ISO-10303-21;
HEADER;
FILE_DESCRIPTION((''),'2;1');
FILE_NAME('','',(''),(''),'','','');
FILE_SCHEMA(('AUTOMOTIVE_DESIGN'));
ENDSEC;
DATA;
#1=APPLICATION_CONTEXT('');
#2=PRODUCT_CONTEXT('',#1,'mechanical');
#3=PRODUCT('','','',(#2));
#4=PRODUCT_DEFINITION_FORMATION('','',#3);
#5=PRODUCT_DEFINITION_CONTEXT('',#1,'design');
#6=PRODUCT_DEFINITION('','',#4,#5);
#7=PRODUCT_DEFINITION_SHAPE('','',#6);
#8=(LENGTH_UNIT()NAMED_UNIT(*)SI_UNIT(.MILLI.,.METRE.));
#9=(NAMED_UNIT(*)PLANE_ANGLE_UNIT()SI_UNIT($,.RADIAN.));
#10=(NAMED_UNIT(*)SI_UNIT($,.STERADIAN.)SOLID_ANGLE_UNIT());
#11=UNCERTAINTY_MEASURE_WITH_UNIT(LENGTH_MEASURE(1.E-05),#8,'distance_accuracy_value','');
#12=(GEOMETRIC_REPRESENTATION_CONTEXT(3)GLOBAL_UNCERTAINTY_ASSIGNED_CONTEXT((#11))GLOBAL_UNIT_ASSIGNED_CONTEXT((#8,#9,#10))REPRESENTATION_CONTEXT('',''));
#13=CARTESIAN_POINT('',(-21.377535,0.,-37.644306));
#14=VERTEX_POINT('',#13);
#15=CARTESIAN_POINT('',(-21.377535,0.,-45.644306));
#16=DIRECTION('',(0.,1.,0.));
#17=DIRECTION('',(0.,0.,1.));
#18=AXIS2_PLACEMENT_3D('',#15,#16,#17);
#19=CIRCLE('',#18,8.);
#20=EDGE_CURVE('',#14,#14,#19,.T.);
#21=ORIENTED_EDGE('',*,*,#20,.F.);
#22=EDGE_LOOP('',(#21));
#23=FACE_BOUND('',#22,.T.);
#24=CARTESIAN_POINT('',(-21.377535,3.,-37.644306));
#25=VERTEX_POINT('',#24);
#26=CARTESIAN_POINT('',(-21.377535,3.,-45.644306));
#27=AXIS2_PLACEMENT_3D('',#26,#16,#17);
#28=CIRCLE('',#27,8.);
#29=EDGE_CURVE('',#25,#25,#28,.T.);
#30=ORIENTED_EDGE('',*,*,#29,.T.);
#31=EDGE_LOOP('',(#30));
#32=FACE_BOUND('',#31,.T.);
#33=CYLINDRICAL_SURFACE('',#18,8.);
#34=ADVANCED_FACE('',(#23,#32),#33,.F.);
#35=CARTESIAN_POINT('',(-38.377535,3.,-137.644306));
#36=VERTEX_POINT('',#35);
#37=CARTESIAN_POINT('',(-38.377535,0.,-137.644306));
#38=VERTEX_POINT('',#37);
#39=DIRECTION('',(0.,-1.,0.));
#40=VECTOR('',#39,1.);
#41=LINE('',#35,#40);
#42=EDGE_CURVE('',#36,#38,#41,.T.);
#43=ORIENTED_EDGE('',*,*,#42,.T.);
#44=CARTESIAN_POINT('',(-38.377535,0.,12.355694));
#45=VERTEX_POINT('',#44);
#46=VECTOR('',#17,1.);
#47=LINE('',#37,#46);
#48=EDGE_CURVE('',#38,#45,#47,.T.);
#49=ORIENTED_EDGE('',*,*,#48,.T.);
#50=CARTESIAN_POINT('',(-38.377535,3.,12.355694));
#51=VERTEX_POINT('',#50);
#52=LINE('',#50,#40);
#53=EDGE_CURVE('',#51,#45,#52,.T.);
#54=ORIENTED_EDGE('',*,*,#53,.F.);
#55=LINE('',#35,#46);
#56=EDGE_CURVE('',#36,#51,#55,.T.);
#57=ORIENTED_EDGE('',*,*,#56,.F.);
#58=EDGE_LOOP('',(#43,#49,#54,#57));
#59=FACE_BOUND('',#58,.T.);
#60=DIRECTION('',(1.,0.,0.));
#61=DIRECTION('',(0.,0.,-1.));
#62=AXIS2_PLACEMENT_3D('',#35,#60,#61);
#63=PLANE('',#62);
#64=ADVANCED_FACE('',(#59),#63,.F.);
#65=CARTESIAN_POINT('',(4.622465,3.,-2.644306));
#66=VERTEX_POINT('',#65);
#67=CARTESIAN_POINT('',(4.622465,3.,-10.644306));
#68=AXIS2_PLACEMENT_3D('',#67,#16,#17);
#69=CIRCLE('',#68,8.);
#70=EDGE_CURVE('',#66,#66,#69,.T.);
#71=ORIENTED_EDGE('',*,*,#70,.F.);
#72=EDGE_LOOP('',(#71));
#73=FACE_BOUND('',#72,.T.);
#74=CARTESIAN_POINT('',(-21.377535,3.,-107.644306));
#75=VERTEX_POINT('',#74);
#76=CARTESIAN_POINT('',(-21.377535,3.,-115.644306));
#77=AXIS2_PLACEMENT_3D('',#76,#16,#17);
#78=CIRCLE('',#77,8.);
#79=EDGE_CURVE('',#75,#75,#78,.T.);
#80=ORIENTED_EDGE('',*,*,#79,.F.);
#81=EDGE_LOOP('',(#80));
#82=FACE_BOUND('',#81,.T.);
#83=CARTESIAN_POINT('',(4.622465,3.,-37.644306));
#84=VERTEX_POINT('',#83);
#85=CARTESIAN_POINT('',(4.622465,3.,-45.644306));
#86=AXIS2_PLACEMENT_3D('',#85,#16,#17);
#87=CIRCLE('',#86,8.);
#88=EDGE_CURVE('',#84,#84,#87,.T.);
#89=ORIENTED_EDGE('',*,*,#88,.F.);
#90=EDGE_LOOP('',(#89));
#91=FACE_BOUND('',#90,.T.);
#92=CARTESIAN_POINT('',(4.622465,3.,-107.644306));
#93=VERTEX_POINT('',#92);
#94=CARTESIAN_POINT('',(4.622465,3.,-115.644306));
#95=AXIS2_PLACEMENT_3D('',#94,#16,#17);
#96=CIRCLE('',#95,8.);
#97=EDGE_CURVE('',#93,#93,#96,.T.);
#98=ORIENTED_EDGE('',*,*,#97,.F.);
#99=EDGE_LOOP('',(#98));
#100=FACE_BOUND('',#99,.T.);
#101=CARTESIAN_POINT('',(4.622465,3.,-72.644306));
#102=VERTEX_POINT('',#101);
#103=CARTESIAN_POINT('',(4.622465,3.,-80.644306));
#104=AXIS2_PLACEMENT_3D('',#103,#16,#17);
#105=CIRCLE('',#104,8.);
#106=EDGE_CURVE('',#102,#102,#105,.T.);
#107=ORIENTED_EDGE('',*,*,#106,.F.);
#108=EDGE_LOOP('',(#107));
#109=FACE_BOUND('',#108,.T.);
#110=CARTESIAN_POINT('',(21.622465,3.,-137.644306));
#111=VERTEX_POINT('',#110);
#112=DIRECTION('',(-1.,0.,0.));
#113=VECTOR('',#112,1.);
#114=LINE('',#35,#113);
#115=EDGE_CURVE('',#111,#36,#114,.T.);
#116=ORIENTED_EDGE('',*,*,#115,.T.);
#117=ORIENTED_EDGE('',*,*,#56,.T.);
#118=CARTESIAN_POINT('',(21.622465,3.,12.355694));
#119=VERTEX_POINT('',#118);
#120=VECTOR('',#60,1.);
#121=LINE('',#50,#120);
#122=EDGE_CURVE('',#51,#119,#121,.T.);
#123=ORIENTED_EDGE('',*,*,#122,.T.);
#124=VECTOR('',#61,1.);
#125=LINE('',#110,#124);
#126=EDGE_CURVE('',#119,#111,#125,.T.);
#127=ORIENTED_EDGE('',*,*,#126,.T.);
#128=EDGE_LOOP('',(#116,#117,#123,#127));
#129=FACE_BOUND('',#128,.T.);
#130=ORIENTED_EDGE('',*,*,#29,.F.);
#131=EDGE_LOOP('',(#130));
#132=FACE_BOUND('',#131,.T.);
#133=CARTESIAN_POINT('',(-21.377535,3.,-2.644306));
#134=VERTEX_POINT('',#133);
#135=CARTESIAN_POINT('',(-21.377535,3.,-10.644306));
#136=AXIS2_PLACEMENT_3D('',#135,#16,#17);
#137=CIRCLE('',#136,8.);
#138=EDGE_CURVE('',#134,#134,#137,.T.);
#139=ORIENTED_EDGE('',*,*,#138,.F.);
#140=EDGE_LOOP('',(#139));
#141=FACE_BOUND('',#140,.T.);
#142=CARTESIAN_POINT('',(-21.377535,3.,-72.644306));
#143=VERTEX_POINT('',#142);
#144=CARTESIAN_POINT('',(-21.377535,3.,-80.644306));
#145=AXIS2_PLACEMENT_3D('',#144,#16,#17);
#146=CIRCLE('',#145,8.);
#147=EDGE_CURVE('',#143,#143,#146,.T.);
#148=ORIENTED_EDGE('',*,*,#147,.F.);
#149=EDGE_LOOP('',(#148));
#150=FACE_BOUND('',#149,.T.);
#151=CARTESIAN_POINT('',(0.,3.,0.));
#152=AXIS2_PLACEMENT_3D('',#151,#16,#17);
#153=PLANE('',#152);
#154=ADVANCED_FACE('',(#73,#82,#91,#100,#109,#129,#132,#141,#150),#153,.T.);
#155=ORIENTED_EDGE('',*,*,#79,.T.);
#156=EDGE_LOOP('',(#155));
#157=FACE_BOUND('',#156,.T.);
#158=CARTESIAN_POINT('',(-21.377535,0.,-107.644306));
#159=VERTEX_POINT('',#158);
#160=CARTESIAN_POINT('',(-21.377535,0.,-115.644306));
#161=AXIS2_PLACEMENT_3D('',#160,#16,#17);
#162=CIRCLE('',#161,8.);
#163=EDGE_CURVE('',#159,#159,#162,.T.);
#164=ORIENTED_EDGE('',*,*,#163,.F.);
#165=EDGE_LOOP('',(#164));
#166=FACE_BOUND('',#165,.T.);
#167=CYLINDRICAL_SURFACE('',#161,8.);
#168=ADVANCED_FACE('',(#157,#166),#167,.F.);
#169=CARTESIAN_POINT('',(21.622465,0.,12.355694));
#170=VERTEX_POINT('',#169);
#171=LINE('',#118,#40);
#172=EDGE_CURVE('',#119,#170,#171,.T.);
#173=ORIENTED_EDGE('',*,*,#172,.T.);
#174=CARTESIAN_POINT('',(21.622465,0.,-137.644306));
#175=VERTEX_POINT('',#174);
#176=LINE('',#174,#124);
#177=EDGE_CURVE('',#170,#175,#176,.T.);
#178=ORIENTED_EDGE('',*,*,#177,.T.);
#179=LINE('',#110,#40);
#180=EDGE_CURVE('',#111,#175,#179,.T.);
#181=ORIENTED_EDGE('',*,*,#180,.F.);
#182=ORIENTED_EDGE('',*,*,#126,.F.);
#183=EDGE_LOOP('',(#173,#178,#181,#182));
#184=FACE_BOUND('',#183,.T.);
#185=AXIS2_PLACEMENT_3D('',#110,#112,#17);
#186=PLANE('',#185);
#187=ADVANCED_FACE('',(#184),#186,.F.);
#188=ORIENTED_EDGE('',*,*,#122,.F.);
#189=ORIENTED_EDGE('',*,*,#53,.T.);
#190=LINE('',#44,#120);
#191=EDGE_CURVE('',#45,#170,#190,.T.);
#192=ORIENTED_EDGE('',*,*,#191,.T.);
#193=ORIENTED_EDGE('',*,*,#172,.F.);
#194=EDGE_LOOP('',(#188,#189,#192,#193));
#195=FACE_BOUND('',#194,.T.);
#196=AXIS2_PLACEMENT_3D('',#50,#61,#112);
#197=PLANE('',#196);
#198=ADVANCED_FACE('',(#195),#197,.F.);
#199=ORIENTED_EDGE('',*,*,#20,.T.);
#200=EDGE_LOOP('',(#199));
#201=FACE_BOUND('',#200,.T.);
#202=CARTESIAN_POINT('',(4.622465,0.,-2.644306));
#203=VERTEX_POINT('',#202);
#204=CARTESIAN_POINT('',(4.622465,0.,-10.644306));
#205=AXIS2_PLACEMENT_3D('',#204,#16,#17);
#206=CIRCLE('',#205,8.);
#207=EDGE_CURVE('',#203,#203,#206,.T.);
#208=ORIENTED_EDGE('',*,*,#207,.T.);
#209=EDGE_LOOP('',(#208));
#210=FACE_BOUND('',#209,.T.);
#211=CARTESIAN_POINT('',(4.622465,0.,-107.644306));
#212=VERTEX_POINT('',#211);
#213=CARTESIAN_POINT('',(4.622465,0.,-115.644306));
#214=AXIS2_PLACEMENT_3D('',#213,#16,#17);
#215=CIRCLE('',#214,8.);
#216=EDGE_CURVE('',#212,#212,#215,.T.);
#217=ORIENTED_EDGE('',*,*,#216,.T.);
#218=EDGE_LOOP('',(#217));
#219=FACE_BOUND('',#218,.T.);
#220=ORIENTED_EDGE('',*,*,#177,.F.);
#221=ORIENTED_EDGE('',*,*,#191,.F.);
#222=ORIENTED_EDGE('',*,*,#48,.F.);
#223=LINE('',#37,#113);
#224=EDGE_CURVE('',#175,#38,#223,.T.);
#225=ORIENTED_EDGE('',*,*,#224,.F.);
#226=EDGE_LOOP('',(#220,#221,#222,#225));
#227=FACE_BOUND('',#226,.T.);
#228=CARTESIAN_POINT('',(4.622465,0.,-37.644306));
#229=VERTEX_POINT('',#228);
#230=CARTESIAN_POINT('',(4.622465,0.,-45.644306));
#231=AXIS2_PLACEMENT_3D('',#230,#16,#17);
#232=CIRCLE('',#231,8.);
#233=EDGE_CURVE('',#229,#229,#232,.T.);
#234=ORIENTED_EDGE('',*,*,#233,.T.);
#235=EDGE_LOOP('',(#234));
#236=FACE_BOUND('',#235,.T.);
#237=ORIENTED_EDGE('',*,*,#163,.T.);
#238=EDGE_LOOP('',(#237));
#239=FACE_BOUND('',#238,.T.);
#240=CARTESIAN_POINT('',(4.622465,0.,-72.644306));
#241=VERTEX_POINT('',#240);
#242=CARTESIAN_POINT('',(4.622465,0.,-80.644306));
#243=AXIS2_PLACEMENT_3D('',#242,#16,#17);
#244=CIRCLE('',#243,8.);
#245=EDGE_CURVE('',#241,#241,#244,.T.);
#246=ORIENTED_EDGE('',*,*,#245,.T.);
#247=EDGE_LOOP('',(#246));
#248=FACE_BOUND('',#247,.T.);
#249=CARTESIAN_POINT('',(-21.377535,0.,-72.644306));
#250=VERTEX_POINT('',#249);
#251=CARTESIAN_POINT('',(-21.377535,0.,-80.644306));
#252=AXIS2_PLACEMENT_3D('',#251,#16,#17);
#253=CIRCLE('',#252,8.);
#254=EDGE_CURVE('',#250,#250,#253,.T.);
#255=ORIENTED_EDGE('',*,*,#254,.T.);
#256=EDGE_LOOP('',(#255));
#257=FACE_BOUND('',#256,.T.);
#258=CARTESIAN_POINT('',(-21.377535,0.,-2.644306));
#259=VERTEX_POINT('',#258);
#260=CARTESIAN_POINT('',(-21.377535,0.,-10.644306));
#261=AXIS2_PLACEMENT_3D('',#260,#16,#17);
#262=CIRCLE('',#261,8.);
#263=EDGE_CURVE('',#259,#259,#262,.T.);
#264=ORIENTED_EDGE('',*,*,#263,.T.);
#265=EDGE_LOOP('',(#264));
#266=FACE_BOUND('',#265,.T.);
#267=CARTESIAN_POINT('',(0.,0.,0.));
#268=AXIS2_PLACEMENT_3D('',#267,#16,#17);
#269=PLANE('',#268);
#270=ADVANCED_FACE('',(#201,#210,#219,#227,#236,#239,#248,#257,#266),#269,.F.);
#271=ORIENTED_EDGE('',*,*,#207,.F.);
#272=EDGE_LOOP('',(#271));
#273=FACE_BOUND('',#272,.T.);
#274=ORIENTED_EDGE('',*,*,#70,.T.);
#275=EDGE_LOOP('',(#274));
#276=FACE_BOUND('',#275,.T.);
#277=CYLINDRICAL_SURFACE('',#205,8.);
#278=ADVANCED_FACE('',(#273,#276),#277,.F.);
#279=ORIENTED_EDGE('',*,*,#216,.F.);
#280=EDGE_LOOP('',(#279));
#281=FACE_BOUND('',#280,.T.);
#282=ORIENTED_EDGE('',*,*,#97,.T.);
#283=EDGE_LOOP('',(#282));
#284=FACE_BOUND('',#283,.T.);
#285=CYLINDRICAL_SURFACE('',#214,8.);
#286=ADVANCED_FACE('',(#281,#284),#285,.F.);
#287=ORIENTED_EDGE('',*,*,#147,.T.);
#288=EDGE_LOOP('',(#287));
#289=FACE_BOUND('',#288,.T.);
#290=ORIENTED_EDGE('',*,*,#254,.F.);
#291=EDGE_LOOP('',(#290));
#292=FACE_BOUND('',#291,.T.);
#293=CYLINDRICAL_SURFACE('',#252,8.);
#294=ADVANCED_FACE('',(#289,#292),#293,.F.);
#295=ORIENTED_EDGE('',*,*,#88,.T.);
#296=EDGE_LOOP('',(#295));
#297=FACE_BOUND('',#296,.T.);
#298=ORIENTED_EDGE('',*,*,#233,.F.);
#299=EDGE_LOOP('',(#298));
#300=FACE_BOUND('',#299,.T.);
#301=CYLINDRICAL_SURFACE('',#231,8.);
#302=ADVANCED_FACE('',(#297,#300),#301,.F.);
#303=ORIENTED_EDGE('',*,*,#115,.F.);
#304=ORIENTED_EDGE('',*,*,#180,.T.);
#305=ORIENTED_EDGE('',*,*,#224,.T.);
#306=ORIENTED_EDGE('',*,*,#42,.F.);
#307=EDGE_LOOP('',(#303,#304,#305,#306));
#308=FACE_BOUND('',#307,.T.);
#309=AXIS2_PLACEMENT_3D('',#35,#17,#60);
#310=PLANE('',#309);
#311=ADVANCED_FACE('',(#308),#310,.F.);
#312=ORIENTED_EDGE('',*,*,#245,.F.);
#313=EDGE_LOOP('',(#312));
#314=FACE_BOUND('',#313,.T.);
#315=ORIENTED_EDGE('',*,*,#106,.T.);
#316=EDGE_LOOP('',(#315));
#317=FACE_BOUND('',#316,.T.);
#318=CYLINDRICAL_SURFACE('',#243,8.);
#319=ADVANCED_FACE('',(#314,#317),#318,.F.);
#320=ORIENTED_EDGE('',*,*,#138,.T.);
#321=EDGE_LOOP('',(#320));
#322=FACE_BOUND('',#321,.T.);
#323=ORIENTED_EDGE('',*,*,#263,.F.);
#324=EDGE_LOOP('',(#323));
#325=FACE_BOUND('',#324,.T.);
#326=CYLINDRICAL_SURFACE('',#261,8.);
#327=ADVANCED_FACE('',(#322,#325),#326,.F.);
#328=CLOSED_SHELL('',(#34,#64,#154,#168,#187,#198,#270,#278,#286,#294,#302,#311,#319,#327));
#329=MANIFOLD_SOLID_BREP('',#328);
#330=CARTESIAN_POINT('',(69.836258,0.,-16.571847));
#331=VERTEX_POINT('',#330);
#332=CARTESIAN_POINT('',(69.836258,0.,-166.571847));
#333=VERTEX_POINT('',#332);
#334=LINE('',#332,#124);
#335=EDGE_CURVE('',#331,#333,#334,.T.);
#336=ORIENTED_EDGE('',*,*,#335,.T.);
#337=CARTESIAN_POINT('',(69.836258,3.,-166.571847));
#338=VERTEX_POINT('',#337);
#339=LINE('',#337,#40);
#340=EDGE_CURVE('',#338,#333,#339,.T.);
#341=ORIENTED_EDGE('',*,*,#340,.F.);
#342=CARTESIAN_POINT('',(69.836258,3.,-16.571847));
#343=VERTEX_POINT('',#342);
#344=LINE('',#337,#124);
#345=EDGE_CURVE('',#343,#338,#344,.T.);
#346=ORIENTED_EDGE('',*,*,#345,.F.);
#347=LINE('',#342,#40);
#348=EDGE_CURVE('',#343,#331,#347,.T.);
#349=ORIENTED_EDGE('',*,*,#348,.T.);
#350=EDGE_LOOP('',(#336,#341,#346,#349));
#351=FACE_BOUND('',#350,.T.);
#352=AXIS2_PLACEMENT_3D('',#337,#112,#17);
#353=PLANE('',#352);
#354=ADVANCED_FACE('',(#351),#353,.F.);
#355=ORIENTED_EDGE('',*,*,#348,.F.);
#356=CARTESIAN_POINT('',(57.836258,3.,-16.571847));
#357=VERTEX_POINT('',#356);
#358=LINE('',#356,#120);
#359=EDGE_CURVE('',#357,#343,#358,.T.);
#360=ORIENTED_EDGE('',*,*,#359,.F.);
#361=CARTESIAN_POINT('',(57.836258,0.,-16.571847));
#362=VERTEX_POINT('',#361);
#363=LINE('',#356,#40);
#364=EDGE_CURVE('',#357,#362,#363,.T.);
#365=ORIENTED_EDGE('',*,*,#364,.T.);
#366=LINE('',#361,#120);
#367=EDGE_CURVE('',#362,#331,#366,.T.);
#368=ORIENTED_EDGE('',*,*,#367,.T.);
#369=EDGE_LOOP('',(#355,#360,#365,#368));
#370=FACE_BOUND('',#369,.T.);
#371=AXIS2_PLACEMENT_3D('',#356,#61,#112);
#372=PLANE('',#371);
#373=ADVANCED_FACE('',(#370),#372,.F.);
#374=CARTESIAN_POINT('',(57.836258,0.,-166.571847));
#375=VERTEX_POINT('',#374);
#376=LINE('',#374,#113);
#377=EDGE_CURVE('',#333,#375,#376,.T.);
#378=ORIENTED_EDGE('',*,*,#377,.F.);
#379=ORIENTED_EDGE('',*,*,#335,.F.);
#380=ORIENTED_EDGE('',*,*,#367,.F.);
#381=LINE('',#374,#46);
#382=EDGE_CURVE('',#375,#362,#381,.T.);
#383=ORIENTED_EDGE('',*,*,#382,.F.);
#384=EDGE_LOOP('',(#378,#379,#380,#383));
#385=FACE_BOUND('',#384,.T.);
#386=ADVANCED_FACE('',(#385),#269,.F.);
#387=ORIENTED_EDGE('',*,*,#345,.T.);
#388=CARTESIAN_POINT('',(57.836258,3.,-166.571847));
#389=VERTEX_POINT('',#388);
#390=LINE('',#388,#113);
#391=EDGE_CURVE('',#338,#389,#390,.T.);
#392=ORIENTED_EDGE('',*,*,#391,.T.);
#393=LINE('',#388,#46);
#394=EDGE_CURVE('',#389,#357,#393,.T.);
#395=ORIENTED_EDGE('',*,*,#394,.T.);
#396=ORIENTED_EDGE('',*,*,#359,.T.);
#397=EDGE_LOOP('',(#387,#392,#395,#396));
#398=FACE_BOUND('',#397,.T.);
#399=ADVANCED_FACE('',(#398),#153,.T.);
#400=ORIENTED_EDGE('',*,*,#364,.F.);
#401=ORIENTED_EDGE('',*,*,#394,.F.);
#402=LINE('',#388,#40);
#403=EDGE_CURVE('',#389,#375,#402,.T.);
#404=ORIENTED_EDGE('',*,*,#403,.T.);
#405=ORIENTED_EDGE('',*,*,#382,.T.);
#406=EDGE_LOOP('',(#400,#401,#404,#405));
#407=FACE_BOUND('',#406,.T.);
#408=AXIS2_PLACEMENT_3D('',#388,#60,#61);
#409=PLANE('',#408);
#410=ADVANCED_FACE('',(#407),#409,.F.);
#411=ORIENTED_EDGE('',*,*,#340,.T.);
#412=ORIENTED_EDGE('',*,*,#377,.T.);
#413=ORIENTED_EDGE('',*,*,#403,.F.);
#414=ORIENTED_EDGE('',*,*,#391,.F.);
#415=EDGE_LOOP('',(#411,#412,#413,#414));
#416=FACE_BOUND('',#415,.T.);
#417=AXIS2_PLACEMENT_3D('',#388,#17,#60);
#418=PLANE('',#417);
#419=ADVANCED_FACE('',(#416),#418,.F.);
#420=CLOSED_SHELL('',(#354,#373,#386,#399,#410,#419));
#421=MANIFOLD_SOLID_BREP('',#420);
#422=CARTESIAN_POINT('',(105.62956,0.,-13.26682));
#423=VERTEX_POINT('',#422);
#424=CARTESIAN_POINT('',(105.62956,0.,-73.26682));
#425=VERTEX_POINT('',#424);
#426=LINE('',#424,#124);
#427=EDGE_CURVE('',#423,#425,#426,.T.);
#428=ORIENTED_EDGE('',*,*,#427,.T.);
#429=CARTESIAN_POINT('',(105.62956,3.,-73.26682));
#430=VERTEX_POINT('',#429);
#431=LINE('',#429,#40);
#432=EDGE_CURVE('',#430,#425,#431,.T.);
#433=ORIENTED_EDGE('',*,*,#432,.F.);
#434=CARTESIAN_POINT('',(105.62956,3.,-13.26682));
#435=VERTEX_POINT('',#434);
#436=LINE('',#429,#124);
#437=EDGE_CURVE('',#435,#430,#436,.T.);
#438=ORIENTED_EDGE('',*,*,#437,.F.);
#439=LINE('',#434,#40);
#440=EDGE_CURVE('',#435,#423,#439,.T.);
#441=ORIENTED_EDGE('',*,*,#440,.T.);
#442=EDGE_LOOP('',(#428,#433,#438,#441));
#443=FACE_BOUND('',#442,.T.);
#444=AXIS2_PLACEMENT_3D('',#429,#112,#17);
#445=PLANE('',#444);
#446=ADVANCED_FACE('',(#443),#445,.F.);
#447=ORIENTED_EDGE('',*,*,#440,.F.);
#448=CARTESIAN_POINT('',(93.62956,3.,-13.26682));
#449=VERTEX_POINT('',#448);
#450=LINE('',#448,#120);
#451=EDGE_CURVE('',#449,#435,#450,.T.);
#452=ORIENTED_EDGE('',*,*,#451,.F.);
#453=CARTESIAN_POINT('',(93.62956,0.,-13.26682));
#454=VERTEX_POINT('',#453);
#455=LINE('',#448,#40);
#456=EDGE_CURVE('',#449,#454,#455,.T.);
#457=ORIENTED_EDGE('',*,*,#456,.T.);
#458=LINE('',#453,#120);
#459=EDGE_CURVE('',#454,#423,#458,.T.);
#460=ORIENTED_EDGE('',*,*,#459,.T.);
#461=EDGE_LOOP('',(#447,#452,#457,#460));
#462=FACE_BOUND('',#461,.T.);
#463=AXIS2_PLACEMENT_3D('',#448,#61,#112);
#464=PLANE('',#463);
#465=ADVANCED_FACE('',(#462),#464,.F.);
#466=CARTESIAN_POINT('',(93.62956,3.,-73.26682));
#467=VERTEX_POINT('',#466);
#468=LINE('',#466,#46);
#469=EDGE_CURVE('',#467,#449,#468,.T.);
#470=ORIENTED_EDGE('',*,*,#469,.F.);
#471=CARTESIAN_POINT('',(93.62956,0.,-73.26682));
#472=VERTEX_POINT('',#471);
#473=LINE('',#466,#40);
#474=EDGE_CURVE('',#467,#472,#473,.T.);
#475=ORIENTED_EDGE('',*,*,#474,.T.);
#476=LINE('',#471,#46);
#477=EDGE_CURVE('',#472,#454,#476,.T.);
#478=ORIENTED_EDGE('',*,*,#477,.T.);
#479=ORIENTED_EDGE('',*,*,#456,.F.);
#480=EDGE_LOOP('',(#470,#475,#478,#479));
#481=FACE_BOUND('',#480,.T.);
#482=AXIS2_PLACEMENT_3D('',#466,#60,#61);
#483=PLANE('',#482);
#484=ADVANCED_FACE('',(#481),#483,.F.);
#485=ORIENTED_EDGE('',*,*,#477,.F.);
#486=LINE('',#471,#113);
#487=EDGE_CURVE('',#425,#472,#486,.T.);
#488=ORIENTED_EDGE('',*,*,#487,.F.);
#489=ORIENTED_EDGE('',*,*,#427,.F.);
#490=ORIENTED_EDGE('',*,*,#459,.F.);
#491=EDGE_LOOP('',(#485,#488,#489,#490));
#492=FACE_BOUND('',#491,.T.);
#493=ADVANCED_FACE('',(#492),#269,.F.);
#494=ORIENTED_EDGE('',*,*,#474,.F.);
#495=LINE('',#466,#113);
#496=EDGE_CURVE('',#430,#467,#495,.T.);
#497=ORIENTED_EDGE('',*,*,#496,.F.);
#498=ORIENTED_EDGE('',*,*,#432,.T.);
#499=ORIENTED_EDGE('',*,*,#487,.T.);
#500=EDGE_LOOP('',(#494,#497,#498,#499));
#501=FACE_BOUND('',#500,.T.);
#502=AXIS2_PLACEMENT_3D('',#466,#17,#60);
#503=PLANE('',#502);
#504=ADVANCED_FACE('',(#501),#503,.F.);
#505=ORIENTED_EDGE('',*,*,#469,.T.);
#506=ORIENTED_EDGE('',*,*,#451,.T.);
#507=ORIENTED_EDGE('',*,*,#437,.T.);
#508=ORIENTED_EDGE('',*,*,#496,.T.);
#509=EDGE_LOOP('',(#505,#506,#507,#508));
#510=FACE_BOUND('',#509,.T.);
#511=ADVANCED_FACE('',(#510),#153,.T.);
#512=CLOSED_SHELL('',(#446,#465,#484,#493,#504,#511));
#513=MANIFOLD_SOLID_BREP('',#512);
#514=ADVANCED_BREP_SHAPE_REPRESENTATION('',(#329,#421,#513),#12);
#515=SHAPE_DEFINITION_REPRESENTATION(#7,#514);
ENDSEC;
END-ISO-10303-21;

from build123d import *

# Parameters (mm, degrees)
SKETCH1_W           = 60
SKETCH1_H           = 150
BOSS_EXTRUDE2_DEPTH = 3
SKETCH2_W           = 12
SKETCH2_H           = 150
BOSS_EXTRUDE4_DEPTH = 3
SKETCH3_W           = 12
SKETCH3_H           = 60
BOSS_EXTRUDE5_DEPTH = 3
SKETCH4_R           = 8
CUT_EXTRUDE1_DEPTH  = 3


with BuildPart() as part:
    # Sketch1 → Boss-Extrude2 (new body)
    with BuildSketch(Plane(origin=(0, 0, 0), x_dir=(1, 0, 0), z_dir=(0, 1, 0))):
        with Locations((-8.377535101, 62.644305772)):
            Rectangle(SKETCH1_W, SKETCH1_H)
    extrude(amount=BOSS_EXTRUDE2_DEPTH)

    # Sketch4 → Cut-Extrude1 (cut)
    with BuildSketch(Plane(origin=(0, 3, 0), x_dir=(1, 0, 0), z_dir=(0, 1, 0))):
        with Locations(Location((4.622464899, 10.644305772, 0), (0, 0, 270))):
            Circle(SKETCH4_R)
        with Locations(Location((-21.377535101, 10.644305772, 0), (0, 0, 270))):
            Circle(SKETCH4_R)
        with Locations(Location((4.622464899, 45.644305772, 0), (0, 0, 270))):
            Circle(SKETCH4_R)
        with Locations(Location((-21.377535101, 45.644305772, 0), (0, 0, 270))):
            Circle(SKETCH4_R)
        with Locations(Location((4.622464899, 80.644305772, 0), (0, 0, 270))):
            Circle(SKETCH4_R)
        with Locations(Location((-21.377535101, 80.644305772, 0), (0, 0, 270))):
            Circle(SKETCH4_R)
        with Locations(Location((4.622464899, 115.644305772, 0), (0, 0, 270))):
            Circle(SKETCH4_R)
        with Locations(Location((-21.377535101, 115.644305772, 0), (0, 0, 270))):
            Circle(SKETCH4_R)
    extrude(amount=-CUT_EXTRUDE1_DEPTH, mode=Mode.SUBTRACT)


with BuildPart() as body_2:
    # Sketch2 → Boss-Extrude4 (new body)
    with BuildSketch(Plane(origin=(0, 0, 0), x_dir=(1, 0, 0), z_dir=(0, 1, 0))):
        with Locations((63.836257857, 91.57184727)):
            Rectangle(SKETCH2_W, SKETCH2_H)
    extrude(amount=BOSS_EXTRUDE4_DEPTH)


with BuildPart() as body_3:
    # Sketch3 → Boss-Extrude5 (new body)
    with BuildSketch(Plane(origin=(0, 0, 0), x_dir=(1, 0, 0), z_dir=(0, 1, 0))):
        with Locations((99.629560174, 43.26681982)):
            Rectangle(SKETCH3_W, SKETCH3_H)
    extrude(amount=BOSS_EXTRUDE5_DEPTH)


solid = Compound([part.part, body_2.part, body_3.part])
